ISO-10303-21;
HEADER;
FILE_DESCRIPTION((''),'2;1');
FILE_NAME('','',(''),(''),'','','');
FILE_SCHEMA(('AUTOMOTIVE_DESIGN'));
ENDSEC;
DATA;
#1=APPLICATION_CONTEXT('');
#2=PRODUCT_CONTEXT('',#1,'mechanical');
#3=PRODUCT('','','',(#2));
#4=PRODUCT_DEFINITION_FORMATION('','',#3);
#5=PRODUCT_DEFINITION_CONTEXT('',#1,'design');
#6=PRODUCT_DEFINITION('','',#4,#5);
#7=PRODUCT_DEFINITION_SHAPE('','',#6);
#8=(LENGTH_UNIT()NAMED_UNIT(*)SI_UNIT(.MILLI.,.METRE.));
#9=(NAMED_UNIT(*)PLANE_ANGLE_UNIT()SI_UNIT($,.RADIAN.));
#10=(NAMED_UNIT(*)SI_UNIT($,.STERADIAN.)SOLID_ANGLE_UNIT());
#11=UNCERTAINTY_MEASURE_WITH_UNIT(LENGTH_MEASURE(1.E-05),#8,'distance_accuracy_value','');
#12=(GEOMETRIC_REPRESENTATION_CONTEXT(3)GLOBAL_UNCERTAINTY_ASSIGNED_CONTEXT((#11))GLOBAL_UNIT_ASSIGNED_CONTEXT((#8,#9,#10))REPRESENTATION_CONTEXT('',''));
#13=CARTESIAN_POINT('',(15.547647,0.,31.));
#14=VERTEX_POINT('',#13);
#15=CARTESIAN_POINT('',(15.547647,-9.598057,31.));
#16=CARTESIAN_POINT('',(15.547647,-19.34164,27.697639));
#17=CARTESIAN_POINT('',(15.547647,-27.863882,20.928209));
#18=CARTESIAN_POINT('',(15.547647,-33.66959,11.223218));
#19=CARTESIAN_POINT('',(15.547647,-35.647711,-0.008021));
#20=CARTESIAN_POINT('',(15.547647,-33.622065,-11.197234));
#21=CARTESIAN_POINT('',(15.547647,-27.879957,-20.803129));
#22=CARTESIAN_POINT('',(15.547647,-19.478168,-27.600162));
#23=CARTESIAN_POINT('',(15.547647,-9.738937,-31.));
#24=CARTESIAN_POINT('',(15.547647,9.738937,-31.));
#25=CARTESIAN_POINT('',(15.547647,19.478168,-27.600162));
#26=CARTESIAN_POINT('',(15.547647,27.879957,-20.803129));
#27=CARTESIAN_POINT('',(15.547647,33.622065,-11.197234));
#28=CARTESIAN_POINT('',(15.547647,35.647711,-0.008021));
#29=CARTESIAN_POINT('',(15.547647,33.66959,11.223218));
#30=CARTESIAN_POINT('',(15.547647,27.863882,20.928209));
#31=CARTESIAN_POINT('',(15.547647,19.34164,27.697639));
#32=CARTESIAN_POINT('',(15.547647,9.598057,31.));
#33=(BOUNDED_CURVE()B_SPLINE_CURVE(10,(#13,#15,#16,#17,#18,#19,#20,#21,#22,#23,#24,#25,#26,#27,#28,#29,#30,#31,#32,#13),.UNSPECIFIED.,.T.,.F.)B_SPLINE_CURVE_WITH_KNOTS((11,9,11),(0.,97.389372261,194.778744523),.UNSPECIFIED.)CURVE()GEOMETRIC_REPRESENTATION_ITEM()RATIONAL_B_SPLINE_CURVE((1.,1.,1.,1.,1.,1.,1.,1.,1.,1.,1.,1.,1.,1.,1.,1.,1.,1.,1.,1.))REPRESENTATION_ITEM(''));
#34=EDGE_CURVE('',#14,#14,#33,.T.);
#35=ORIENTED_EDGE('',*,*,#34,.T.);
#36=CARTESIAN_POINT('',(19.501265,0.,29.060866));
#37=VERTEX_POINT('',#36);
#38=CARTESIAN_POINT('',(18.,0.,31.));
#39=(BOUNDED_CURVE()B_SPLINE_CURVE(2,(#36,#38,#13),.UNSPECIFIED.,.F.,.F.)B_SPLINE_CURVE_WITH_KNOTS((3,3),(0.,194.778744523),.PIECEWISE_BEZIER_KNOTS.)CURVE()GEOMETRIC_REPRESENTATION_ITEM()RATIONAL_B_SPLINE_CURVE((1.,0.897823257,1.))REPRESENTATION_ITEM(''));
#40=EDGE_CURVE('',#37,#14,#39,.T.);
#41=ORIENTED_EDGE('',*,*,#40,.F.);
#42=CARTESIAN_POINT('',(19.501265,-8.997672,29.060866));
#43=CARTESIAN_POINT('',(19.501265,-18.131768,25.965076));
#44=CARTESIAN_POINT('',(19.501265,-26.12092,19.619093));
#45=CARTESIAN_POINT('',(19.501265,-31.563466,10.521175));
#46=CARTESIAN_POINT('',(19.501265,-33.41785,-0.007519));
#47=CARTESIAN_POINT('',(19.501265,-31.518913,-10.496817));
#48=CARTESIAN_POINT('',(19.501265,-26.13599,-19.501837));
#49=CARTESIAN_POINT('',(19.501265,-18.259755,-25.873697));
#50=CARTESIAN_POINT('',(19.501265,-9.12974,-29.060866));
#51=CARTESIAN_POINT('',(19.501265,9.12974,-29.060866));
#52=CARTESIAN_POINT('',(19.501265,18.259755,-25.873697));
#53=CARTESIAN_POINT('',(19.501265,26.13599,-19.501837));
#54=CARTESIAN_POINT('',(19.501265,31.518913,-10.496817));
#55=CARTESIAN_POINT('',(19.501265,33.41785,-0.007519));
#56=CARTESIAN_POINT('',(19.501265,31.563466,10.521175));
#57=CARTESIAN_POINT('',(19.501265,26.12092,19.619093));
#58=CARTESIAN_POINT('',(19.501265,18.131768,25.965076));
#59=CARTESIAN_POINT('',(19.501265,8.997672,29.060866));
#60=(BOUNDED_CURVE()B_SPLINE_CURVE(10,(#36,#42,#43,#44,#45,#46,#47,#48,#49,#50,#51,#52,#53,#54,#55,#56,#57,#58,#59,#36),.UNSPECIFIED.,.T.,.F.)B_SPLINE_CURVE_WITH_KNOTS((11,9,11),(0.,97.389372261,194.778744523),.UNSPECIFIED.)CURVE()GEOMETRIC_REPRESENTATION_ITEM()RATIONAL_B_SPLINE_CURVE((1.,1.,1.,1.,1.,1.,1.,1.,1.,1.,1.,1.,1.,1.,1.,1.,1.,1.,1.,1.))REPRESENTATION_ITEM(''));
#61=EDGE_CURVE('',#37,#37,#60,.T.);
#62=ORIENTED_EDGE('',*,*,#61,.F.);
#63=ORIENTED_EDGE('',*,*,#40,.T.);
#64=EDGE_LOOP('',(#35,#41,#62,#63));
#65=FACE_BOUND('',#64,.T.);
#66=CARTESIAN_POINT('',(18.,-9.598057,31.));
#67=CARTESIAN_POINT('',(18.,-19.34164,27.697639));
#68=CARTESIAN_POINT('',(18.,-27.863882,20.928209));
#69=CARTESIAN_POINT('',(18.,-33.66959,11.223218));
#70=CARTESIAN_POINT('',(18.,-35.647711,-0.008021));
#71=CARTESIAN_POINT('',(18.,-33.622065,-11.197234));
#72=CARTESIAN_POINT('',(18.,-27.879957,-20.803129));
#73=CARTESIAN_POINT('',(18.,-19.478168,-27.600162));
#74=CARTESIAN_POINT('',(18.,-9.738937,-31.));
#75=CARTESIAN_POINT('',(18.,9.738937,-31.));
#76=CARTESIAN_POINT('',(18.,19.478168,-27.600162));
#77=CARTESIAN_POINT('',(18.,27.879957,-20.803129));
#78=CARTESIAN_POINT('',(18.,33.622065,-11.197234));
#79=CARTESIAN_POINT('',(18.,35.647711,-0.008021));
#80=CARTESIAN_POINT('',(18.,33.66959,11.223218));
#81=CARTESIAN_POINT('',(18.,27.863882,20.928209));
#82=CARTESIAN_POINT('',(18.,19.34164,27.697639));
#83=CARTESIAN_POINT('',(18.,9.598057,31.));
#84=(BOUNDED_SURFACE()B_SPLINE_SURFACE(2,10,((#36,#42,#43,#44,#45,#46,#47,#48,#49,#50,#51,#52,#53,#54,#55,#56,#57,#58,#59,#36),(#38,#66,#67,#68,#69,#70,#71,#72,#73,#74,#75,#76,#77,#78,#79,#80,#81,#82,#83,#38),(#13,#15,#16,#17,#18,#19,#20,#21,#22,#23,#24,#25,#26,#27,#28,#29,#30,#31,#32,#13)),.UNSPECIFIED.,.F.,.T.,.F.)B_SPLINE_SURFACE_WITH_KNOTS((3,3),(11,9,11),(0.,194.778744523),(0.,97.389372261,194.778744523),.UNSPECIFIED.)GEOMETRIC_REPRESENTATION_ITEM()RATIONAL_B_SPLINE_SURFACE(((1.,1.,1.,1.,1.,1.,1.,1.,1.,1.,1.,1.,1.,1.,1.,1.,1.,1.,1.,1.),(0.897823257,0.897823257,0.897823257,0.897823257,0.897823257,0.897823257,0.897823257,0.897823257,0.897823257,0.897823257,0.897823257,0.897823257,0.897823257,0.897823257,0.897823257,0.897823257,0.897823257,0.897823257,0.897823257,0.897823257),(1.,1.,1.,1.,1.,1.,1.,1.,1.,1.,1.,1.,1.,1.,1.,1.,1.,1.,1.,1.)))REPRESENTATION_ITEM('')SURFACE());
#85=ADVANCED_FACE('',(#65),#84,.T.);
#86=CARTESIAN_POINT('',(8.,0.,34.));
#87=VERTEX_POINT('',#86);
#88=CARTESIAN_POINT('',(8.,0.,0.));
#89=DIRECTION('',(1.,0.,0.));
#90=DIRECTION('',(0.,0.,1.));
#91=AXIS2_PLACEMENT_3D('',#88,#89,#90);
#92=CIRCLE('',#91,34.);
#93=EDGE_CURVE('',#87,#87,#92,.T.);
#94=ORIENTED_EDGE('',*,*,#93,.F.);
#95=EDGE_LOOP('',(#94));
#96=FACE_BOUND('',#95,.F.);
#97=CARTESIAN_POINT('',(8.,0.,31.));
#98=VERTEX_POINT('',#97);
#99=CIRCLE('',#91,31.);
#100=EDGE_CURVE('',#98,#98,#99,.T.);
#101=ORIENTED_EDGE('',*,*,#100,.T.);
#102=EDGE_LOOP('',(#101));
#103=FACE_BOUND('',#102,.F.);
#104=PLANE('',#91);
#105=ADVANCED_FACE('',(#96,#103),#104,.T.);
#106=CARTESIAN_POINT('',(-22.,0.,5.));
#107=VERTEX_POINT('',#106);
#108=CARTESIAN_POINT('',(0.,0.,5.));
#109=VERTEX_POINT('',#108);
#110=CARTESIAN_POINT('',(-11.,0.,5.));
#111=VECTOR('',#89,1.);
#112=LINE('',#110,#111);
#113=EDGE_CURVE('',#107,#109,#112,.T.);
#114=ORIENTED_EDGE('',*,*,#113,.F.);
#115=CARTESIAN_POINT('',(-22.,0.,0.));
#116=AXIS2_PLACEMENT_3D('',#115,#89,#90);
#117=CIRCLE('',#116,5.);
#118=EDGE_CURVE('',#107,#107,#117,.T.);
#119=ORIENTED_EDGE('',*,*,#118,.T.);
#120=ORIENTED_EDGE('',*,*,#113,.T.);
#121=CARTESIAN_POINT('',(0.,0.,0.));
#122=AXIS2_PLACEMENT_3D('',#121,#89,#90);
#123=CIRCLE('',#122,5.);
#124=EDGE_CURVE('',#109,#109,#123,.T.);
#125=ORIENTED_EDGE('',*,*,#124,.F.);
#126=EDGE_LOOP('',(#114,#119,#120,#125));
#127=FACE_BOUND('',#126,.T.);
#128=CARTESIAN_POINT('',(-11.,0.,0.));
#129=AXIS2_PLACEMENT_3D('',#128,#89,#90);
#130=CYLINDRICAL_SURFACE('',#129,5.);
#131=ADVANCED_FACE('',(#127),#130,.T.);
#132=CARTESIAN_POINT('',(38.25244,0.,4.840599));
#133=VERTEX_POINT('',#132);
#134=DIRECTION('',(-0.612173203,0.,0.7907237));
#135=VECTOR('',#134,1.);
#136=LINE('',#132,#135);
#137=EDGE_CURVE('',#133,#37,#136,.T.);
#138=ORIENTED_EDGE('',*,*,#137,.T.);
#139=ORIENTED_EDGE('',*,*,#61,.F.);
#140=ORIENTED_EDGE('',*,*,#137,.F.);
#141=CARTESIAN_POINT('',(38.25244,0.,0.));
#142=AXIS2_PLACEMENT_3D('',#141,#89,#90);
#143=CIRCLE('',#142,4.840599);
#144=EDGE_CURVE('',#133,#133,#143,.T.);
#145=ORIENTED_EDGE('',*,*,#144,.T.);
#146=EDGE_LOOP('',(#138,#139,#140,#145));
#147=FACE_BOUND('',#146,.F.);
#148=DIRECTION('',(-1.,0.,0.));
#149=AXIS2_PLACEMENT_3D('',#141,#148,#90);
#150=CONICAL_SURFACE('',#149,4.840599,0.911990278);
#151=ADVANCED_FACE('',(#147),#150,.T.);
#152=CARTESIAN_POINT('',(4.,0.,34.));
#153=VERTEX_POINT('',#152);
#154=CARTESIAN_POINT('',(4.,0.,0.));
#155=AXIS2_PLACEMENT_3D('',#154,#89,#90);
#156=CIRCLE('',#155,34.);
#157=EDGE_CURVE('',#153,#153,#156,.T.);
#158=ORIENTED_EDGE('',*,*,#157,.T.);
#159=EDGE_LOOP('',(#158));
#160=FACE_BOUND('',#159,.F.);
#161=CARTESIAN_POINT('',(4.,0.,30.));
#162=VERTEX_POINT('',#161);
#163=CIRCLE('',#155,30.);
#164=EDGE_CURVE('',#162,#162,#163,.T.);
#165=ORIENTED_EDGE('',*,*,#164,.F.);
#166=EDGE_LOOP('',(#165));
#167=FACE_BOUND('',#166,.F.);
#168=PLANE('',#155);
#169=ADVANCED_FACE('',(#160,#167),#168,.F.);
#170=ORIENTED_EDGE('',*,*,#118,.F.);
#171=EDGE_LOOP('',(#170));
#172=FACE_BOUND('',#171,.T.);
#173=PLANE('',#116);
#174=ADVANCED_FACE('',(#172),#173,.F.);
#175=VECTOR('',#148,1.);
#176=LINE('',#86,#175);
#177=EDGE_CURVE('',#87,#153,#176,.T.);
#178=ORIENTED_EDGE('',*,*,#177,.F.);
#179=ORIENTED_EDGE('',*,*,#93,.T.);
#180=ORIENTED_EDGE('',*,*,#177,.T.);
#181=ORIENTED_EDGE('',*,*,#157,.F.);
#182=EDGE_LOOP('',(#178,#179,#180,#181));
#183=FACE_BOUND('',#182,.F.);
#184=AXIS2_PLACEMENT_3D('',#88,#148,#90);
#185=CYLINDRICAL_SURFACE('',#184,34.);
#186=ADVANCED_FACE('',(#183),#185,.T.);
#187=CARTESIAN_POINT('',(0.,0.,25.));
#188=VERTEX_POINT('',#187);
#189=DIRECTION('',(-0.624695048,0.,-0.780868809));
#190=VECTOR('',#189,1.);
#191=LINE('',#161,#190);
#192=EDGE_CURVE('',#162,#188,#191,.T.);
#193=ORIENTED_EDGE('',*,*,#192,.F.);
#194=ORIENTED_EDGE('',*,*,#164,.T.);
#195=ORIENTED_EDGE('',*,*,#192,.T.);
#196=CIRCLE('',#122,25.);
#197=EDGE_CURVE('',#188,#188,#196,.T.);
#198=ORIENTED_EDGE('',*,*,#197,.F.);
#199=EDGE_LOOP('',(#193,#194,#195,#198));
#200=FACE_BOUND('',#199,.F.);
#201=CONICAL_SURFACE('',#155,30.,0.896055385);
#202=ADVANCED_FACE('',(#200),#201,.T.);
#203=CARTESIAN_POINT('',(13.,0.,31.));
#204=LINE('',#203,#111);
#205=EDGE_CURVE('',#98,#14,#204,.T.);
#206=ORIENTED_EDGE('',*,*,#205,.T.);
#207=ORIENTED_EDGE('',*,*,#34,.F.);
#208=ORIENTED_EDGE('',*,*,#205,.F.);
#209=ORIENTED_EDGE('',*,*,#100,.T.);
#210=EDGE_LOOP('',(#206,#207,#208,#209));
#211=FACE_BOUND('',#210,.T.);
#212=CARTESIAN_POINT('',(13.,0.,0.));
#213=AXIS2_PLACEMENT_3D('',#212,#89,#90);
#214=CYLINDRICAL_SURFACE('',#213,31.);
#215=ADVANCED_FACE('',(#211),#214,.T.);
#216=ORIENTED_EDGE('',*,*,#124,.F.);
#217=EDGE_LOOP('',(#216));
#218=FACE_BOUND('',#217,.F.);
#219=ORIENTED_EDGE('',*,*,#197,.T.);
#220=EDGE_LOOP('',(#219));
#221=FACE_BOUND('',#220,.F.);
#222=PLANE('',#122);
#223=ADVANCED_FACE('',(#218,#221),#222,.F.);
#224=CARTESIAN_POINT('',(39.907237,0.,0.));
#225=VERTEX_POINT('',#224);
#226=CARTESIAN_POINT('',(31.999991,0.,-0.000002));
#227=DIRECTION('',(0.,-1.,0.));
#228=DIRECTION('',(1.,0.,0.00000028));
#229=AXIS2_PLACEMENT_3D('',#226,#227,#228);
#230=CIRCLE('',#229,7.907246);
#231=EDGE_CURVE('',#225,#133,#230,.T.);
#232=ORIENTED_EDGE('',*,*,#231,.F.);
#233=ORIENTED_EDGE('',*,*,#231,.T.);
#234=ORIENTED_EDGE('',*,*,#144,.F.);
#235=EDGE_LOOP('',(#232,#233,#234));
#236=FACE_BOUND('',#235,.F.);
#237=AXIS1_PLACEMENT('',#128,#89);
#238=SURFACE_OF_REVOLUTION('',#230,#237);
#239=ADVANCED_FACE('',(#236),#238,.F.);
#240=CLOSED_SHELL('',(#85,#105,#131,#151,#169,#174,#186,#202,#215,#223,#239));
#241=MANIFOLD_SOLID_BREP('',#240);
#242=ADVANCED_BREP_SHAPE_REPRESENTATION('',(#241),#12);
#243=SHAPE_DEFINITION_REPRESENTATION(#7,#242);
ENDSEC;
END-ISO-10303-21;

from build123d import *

# Parameters (mm, degrees)
F0_W   = 22
F0_H   = 5
F0_W_2 = 10
F0_H_2 = 31
F2_R   = 5


with BuildPart() as f1:
    # F0 (on Front) → F1 (revolve)
    with BuildSketch(Plane.XZ):
        with Locations((-11, 2.5)):
            Rectangle(F0_W, F0_H)
        Polygon((0, 5), (0, 0), (4, 0), (4, 30), (0, 25), align=None)
        Polygon((4, 30), (4, 0), (8, 0), (8, 31), (8, 34), (4, 34), align=None)
        with Locations((13, 15.5)):
            Rectangle(F0_W_2, F0_H_2)
        with BuildLine():
            Line((18, 31), (18, 0))
            Line((18, 0), (39.907237, 0))
            ThreePointArc((39.907237, 0), (39.482109, 2.557819), (38.25244, 4.840599))
            Line((38.25244, 4.840599), (18, 31))
        make_face()
    revolve(axis=Axis((-11, 0, 0), (1, 0, 0)))

    # F2
    f2_edges = [f1.edges().sort_by_distance(p)[0] for p in [
        (18, 0, -31),
    ]]
    fillet(f2_edges, radius=F2_R)


solid = f1.part
